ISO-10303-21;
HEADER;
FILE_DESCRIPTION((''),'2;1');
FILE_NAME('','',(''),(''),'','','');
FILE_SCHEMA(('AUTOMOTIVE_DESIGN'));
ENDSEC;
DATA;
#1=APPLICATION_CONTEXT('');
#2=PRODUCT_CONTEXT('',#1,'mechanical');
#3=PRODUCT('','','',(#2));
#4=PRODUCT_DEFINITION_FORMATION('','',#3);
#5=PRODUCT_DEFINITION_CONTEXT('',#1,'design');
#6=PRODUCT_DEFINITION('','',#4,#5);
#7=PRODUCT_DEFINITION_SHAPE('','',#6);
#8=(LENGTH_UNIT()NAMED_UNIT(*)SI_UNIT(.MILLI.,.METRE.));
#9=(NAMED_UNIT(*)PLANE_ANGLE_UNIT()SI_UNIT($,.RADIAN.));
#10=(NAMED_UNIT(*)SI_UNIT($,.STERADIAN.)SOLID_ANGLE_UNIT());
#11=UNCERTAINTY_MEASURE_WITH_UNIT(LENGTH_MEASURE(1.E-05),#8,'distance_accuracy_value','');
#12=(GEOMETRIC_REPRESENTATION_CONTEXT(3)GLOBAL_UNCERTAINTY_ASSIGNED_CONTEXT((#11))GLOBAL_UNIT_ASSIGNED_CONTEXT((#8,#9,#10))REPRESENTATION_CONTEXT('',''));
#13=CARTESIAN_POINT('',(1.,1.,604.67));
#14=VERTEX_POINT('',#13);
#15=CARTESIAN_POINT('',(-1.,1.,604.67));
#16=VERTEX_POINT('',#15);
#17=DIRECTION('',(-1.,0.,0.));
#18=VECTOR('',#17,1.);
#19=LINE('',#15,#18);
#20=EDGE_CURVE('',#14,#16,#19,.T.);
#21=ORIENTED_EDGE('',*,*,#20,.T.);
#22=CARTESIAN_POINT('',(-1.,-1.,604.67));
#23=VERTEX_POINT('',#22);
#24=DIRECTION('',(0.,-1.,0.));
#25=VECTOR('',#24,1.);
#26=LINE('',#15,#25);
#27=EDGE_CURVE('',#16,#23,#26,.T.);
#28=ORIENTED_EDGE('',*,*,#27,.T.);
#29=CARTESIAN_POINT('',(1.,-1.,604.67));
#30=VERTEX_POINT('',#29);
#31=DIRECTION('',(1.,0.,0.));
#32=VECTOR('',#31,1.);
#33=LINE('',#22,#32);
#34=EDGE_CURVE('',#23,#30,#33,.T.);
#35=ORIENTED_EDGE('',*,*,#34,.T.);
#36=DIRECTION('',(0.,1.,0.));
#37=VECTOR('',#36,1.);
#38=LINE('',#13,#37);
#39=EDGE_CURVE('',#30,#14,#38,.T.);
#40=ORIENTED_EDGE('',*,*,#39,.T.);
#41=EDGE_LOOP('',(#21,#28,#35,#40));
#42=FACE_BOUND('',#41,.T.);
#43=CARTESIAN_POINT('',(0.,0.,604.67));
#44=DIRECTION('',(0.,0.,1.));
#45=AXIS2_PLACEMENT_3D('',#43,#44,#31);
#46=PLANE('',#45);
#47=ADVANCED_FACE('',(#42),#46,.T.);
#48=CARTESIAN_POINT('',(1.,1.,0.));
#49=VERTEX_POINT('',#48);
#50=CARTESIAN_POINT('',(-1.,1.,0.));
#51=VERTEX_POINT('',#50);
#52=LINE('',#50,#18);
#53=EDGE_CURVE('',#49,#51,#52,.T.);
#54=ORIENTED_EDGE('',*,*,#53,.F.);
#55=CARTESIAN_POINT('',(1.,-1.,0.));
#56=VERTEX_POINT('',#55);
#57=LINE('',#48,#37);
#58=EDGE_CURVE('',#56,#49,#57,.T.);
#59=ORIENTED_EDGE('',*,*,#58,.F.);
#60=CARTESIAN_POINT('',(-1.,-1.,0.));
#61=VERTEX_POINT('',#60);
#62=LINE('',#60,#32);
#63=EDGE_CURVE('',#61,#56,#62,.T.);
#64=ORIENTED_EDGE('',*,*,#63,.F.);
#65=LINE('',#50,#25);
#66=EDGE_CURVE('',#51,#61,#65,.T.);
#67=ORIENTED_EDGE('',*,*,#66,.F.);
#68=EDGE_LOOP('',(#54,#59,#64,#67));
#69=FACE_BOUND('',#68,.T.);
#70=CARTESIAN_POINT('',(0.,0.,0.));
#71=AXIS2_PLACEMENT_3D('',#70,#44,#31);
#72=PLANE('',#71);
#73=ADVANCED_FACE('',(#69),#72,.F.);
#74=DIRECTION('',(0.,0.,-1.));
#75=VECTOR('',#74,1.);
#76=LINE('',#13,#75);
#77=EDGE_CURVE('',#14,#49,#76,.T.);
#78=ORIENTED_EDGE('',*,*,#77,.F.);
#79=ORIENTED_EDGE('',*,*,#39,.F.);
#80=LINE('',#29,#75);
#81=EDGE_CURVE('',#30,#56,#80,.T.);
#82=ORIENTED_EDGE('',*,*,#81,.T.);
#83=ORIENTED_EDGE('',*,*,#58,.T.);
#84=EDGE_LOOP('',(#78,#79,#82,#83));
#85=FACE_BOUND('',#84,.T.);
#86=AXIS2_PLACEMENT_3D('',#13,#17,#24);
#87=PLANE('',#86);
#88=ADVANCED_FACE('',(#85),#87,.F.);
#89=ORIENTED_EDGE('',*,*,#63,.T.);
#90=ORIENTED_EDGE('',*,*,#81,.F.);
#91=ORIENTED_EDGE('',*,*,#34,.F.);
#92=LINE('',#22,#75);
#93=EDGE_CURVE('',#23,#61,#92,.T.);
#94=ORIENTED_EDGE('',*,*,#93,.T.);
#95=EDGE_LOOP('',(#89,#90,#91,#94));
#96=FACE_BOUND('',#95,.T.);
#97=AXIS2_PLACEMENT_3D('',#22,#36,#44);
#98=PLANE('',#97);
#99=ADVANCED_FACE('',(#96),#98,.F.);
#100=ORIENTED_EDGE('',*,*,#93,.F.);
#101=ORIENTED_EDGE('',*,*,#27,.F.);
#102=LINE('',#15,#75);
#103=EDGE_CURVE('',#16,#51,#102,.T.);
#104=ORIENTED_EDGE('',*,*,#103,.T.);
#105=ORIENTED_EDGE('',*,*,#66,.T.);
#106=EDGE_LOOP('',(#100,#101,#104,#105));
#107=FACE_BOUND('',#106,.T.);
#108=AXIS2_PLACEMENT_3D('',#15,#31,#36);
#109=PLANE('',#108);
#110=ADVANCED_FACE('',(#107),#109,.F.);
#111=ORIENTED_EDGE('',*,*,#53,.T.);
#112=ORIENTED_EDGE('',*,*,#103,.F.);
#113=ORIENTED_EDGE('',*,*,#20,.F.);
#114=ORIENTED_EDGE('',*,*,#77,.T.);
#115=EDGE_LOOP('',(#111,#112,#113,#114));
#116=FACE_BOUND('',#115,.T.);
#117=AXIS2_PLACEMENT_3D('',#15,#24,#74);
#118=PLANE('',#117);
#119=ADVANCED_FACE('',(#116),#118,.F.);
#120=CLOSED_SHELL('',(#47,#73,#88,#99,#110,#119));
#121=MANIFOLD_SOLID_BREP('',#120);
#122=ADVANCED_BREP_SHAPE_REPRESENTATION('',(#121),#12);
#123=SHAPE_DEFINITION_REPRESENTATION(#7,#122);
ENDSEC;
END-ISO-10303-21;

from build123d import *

# Parameters (mm, degrees)
SKETCH_1_W      = 2
SKETCH_1_H      = 2
EXTRUDE_1_DEPTH = 604.67


with BuildPart() as part:
    # ｽｹｯﾁ1 → ﾎﾞｽ - 押し出し1 (new body)
    with BuildSketch(Plane.XY):
        Rectangle(SKETCH_1_W, SKETCH_1_H)
    extrude(amount=EXTRUDE_1_DEPTH)


solid = part.part
